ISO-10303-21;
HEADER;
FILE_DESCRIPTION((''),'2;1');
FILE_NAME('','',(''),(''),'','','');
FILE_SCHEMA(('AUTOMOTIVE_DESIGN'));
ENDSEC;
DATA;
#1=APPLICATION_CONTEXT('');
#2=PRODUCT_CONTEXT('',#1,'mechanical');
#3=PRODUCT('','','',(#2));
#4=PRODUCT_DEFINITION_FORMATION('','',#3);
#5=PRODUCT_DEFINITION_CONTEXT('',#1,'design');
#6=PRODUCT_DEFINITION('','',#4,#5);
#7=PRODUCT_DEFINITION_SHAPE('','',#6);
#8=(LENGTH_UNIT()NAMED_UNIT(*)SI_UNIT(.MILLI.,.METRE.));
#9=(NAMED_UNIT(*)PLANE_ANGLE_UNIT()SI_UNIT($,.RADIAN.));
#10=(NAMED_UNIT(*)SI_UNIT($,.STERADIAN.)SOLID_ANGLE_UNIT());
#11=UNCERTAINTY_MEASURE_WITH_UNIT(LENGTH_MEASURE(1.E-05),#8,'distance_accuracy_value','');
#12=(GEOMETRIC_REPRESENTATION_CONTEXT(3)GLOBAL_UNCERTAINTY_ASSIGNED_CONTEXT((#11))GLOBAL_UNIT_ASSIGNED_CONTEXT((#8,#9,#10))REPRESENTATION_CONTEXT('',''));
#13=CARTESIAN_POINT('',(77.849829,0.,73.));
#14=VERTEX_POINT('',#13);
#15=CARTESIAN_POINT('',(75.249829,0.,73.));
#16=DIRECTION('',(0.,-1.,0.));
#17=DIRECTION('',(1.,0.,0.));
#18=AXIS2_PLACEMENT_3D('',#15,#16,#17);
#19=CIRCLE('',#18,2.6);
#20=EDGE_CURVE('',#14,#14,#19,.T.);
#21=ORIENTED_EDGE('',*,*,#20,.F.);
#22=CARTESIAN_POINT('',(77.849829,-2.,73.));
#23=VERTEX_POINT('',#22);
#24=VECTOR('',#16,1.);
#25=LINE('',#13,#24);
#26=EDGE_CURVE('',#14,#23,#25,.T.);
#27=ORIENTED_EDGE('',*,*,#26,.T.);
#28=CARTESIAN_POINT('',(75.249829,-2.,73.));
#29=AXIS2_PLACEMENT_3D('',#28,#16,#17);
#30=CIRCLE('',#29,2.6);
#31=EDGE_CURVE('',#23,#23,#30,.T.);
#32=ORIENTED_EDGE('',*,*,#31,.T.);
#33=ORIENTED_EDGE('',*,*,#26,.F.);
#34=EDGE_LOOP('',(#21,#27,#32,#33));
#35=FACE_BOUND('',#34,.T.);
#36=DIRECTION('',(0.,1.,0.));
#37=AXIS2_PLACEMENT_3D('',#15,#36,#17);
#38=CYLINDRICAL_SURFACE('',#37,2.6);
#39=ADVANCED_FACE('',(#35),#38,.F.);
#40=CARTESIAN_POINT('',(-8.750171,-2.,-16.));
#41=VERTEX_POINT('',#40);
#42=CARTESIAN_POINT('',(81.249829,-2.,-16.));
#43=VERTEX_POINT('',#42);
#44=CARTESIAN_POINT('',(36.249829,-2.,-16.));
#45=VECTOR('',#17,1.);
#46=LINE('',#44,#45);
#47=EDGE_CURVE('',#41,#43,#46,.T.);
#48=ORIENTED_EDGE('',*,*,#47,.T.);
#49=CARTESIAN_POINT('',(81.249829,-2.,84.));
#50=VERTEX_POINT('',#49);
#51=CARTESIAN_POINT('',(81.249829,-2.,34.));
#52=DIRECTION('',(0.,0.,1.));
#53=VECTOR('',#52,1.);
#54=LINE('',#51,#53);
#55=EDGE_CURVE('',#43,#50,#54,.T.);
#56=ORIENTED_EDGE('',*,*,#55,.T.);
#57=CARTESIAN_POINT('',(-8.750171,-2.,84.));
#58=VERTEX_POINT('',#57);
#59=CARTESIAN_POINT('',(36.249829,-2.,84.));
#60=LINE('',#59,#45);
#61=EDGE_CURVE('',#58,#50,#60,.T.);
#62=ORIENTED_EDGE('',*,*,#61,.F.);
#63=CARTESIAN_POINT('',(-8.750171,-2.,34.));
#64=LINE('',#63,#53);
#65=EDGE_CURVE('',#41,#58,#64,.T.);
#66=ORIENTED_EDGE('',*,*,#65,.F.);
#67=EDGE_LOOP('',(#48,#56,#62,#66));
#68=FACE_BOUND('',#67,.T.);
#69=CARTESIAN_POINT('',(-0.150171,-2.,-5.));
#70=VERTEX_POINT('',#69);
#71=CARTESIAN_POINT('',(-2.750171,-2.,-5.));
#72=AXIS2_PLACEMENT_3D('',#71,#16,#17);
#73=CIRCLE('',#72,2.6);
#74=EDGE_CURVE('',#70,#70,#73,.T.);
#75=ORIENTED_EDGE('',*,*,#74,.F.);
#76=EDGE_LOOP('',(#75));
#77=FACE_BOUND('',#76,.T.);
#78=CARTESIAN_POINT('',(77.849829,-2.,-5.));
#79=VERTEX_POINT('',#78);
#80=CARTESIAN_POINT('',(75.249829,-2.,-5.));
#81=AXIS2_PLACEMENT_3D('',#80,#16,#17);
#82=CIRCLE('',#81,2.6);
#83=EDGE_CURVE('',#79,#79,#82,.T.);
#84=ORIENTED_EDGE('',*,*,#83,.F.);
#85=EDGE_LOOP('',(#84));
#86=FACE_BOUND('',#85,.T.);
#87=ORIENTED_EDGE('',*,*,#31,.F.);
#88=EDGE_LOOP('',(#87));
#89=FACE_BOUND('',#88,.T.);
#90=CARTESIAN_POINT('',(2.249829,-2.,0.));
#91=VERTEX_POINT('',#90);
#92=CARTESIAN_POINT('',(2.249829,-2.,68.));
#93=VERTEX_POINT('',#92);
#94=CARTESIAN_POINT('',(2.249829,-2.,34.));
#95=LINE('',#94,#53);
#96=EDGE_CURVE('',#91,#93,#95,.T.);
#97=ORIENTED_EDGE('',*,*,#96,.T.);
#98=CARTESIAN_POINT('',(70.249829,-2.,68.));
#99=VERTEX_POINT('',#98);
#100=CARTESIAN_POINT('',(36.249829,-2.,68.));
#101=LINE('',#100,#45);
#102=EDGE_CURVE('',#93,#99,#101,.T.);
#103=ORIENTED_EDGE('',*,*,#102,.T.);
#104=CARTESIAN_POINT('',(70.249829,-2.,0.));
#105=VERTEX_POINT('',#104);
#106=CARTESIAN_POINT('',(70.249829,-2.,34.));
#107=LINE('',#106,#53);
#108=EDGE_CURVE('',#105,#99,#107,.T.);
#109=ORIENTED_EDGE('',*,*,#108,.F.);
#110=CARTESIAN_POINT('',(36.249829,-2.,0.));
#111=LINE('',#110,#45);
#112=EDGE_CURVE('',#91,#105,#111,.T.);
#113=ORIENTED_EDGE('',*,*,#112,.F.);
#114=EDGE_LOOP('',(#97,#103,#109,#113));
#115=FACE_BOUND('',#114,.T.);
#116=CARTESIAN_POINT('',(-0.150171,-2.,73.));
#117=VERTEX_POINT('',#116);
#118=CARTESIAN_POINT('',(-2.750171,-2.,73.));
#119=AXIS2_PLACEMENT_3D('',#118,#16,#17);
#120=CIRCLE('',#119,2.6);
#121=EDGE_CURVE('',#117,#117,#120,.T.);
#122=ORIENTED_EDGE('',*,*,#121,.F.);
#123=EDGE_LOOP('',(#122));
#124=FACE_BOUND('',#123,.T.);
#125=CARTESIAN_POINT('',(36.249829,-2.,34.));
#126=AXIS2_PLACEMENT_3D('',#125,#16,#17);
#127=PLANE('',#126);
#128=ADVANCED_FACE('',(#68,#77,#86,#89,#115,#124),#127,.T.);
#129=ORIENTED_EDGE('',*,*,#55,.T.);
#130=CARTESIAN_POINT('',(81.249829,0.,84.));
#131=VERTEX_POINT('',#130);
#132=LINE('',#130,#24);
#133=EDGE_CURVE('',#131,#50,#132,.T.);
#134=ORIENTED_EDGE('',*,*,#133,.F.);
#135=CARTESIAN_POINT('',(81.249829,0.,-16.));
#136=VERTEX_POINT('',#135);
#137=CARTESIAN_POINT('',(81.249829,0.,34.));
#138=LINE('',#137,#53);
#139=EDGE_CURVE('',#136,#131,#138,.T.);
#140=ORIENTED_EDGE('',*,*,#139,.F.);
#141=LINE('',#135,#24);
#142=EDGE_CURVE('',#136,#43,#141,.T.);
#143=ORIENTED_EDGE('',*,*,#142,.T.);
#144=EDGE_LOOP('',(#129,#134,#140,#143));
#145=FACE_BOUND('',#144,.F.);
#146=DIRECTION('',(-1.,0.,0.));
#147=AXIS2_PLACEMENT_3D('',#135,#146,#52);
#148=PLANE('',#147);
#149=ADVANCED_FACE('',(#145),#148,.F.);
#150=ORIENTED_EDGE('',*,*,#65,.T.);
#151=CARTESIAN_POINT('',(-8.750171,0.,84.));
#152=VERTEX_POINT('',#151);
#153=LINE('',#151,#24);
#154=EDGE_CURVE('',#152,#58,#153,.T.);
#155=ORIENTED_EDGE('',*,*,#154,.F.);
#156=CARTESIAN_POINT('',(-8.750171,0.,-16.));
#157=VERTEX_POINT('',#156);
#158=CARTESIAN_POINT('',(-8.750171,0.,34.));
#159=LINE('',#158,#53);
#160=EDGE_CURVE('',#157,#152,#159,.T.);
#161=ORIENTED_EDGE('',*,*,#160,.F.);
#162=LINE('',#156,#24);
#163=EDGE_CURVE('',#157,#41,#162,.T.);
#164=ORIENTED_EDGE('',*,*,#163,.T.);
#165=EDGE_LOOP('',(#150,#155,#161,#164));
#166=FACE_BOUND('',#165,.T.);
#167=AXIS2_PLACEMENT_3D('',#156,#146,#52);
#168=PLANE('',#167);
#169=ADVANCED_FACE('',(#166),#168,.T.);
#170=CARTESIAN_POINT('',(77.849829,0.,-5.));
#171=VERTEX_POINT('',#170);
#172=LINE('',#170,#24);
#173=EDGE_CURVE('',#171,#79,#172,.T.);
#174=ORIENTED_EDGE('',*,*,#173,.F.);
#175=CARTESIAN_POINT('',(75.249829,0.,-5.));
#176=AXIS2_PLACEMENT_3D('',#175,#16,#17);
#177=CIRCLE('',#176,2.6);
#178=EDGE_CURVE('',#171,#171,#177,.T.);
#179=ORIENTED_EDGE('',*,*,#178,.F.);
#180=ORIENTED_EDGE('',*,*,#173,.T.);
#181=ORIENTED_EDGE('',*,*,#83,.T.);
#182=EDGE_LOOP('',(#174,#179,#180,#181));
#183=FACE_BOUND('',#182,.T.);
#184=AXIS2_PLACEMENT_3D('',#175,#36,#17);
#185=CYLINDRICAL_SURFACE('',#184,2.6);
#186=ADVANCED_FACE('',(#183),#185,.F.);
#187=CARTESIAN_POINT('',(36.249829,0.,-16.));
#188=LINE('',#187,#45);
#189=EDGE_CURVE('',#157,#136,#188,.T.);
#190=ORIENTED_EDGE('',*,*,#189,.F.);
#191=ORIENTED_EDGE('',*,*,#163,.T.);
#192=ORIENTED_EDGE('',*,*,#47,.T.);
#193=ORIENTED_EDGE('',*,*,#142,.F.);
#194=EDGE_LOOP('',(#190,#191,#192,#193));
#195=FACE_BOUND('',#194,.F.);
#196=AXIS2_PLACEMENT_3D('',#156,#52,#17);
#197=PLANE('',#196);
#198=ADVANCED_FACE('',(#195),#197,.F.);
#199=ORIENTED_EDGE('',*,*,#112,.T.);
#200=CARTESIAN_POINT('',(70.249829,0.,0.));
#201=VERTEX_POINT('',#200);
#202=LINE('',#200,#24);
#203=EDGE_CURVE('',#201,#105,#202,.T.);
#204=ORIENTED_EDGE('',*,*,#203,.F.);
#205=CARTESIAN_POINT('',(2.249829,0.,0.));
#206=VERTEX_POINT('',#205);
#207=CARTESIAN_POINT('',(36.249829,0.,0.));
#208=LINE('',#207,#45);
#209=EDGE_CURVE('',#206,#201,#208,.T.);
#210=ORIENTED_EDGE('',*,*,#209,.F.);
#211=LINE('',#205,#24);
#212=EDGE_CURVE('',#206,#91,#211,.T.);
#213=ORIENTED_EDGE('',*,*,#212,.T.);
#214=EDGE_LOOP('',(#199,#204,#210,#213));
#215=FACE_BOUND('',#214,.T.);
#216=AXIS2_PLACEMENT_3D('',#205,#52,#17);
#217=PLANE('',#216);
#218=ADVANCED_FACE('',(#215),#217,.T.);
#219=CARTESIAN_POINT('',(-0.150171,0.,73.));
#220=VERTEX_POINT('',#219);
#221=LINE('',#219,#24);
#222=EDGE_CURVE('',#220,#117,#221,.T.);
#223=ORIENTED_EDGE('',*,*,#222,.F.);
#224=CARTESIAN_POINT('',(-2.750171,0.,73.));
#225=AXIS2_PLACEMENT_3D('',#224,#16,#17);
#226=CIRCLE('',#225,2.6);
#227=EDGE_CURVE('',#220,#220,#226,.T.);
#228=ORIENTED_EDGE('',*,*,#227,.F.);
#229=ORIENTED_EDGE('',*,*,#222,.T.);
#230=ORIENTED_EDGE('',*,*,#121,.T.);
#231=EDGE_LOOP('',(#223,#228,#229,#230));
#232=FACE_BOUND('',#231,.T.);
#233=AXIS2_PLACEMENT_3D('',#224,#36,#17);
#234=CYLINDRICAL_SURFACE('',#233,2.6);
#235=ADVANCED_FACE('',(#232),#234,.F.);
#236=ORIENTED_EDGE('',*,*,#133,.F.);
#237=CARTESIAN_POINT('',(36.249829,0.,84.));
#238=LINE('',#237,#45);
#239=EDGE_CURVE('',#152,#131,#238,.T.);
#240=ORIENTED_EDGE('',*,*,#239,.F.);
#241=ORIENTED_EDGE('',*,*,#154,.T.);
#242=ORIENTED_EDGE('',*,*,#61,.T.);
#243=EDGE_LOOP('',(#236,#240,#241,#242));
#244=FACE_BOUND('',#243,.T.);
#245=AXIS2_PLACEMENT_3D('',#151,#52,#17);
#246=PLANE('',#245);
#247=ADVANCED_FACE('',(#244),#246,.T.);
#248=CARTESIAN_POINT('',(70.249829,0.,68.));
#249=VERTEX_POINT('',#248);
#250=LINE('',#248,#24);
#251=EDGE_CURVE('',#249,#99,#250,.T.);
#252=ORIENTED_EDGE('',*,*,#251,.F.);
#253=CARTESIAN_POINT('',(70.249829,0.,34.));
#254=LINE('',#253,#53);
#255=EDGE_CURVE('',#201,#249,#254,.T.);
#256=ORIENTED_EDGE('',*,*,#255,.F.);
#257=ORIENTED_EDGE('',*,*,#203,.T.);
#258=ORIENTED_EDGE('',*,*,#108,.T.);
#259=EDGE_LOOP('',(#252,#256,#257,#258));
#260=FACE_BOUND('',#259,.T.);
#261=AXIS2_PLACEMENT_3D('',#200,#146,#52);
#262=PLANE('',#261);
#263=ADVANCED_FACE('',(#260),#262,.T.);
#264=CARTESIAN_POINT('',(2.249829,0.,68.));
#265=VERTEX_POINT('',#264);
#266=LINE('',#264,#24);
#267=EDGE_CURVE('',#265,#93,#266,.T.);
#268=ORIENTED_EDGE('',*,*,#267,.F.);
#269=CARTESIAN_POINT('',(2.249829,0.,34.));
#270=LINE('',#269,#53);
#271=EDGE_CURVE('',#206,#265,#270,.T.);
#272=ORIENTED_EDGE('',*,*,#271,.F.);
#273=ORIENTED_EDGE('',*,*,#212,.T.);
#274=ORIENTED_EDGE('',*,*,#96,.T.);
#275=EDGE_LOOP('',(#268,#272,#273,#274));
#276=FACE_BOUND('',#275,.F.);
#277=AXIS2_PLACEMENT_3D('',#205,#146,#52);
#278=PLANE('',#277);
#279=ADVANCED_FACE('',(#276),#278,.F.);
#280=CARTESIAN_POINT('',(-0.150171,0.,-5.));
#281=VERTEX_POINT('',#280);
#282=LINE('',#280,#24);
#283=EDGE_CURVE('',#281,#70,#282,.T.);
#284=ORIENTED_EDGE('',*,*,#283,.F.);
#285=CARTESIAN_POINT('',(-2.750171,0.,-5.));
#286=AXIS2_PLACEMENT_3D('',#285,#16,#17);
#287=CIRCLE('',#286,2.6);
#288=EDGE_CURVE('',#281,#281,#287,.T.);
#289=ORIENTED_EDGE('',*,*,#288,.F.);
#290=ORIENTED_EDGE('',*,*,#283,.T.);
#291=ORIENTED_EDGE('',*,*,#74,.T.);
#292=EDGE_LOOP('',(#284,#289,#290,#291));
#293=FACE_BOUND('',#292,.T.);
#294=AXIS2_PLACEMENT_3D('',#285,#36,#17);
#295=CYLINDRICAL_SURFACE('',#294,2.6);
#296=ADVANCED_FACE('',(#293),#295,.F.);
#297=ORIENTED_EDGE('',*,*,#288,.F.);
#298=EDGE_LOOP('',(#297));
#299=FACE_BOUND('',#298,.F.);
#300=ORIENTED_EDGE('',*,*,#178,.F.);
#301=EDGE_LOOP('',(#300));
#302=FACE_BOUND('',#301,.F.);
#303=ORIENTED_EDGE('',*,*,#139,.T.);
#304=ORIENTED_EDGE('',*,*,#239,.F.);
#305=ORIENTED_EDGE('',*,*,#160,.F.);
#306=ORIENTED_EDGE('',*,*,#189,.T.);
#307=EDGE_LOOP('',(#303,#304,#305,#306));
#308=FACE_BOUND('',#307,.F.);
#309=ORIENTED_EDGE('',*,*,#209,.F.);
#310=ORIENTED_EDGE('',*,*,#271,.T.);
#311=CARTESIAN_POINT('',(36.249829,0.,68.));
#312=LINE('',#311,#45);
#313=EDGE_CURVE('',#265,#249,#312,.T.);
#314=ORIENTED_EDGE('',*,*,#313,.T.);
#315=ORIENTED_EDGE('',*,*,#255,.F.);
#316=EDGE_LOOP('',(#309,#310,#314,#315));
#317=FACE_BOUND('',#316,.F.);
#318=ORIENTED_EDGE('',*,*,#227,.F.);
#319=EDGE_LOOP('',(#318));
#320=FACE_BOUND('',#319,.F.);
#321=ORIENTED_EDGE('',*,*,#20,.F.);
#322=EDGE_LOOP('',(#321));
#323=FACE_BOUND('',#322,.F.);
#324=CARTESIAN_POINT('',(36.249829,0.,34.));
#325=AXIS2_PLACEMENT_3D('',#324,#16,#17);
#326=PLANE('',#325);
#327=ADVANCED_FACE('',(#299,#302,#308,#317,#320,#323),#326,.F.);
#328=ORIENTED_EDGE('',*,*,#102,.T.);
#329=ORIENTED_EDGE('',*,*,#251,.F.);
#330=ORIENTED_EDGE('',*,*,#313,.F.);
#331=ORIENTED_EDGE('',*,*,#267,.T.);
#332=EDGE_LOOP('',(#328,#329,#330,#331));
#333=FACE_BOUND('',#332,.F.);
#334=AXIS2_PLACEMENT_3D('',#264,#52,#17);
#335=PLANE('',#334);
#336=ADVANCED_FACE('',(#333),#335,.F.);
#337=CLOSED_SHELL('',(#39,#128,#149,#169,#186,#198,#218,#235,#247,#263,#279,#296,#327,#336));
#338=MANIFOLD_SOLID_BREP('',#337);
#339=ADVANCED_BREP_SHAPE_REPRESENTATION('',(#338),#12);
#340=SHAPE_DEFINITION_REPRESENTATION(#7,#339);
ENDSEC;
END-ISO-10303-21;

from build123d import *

# Parameters (mm, degrees)
F0_W     = 90
F0_H     = 100
F0_R     = 2.6
F0_W_2   = 68
F0_H_2   = 68
F1_DEPTH = 2


with BuildPart() as f1:
    # F0 (on Front) → F1 (new body)
    with BuildSketch(Plane.XZ):
        with Locations((36.249829, 34)):
            Rectangle(F0_W, F0_H)
        with Locations((-2.750171, -5)):
            Circle(F0_R, mode=Mode.SUBTRACT)
        with Locations((75.249829, -5)):
            Circle(F0_R, mode=Mode.SUBTRACT)
        with Locations((-2.750171, 73)):
            Circle(F0_R, mode=Mode.SUBTRACT)
        with Locations((36.249829, 34)):
            Rectangle(F0_W_2, F0_H_2, mode=Mode.SUBTRACT)
        with Locations((75.249829, 73)):
            Circle(F0_R, mode=Mode.SUBTRACT)
    extrude(amount=F1_DEPTH)


solid = f1.part
